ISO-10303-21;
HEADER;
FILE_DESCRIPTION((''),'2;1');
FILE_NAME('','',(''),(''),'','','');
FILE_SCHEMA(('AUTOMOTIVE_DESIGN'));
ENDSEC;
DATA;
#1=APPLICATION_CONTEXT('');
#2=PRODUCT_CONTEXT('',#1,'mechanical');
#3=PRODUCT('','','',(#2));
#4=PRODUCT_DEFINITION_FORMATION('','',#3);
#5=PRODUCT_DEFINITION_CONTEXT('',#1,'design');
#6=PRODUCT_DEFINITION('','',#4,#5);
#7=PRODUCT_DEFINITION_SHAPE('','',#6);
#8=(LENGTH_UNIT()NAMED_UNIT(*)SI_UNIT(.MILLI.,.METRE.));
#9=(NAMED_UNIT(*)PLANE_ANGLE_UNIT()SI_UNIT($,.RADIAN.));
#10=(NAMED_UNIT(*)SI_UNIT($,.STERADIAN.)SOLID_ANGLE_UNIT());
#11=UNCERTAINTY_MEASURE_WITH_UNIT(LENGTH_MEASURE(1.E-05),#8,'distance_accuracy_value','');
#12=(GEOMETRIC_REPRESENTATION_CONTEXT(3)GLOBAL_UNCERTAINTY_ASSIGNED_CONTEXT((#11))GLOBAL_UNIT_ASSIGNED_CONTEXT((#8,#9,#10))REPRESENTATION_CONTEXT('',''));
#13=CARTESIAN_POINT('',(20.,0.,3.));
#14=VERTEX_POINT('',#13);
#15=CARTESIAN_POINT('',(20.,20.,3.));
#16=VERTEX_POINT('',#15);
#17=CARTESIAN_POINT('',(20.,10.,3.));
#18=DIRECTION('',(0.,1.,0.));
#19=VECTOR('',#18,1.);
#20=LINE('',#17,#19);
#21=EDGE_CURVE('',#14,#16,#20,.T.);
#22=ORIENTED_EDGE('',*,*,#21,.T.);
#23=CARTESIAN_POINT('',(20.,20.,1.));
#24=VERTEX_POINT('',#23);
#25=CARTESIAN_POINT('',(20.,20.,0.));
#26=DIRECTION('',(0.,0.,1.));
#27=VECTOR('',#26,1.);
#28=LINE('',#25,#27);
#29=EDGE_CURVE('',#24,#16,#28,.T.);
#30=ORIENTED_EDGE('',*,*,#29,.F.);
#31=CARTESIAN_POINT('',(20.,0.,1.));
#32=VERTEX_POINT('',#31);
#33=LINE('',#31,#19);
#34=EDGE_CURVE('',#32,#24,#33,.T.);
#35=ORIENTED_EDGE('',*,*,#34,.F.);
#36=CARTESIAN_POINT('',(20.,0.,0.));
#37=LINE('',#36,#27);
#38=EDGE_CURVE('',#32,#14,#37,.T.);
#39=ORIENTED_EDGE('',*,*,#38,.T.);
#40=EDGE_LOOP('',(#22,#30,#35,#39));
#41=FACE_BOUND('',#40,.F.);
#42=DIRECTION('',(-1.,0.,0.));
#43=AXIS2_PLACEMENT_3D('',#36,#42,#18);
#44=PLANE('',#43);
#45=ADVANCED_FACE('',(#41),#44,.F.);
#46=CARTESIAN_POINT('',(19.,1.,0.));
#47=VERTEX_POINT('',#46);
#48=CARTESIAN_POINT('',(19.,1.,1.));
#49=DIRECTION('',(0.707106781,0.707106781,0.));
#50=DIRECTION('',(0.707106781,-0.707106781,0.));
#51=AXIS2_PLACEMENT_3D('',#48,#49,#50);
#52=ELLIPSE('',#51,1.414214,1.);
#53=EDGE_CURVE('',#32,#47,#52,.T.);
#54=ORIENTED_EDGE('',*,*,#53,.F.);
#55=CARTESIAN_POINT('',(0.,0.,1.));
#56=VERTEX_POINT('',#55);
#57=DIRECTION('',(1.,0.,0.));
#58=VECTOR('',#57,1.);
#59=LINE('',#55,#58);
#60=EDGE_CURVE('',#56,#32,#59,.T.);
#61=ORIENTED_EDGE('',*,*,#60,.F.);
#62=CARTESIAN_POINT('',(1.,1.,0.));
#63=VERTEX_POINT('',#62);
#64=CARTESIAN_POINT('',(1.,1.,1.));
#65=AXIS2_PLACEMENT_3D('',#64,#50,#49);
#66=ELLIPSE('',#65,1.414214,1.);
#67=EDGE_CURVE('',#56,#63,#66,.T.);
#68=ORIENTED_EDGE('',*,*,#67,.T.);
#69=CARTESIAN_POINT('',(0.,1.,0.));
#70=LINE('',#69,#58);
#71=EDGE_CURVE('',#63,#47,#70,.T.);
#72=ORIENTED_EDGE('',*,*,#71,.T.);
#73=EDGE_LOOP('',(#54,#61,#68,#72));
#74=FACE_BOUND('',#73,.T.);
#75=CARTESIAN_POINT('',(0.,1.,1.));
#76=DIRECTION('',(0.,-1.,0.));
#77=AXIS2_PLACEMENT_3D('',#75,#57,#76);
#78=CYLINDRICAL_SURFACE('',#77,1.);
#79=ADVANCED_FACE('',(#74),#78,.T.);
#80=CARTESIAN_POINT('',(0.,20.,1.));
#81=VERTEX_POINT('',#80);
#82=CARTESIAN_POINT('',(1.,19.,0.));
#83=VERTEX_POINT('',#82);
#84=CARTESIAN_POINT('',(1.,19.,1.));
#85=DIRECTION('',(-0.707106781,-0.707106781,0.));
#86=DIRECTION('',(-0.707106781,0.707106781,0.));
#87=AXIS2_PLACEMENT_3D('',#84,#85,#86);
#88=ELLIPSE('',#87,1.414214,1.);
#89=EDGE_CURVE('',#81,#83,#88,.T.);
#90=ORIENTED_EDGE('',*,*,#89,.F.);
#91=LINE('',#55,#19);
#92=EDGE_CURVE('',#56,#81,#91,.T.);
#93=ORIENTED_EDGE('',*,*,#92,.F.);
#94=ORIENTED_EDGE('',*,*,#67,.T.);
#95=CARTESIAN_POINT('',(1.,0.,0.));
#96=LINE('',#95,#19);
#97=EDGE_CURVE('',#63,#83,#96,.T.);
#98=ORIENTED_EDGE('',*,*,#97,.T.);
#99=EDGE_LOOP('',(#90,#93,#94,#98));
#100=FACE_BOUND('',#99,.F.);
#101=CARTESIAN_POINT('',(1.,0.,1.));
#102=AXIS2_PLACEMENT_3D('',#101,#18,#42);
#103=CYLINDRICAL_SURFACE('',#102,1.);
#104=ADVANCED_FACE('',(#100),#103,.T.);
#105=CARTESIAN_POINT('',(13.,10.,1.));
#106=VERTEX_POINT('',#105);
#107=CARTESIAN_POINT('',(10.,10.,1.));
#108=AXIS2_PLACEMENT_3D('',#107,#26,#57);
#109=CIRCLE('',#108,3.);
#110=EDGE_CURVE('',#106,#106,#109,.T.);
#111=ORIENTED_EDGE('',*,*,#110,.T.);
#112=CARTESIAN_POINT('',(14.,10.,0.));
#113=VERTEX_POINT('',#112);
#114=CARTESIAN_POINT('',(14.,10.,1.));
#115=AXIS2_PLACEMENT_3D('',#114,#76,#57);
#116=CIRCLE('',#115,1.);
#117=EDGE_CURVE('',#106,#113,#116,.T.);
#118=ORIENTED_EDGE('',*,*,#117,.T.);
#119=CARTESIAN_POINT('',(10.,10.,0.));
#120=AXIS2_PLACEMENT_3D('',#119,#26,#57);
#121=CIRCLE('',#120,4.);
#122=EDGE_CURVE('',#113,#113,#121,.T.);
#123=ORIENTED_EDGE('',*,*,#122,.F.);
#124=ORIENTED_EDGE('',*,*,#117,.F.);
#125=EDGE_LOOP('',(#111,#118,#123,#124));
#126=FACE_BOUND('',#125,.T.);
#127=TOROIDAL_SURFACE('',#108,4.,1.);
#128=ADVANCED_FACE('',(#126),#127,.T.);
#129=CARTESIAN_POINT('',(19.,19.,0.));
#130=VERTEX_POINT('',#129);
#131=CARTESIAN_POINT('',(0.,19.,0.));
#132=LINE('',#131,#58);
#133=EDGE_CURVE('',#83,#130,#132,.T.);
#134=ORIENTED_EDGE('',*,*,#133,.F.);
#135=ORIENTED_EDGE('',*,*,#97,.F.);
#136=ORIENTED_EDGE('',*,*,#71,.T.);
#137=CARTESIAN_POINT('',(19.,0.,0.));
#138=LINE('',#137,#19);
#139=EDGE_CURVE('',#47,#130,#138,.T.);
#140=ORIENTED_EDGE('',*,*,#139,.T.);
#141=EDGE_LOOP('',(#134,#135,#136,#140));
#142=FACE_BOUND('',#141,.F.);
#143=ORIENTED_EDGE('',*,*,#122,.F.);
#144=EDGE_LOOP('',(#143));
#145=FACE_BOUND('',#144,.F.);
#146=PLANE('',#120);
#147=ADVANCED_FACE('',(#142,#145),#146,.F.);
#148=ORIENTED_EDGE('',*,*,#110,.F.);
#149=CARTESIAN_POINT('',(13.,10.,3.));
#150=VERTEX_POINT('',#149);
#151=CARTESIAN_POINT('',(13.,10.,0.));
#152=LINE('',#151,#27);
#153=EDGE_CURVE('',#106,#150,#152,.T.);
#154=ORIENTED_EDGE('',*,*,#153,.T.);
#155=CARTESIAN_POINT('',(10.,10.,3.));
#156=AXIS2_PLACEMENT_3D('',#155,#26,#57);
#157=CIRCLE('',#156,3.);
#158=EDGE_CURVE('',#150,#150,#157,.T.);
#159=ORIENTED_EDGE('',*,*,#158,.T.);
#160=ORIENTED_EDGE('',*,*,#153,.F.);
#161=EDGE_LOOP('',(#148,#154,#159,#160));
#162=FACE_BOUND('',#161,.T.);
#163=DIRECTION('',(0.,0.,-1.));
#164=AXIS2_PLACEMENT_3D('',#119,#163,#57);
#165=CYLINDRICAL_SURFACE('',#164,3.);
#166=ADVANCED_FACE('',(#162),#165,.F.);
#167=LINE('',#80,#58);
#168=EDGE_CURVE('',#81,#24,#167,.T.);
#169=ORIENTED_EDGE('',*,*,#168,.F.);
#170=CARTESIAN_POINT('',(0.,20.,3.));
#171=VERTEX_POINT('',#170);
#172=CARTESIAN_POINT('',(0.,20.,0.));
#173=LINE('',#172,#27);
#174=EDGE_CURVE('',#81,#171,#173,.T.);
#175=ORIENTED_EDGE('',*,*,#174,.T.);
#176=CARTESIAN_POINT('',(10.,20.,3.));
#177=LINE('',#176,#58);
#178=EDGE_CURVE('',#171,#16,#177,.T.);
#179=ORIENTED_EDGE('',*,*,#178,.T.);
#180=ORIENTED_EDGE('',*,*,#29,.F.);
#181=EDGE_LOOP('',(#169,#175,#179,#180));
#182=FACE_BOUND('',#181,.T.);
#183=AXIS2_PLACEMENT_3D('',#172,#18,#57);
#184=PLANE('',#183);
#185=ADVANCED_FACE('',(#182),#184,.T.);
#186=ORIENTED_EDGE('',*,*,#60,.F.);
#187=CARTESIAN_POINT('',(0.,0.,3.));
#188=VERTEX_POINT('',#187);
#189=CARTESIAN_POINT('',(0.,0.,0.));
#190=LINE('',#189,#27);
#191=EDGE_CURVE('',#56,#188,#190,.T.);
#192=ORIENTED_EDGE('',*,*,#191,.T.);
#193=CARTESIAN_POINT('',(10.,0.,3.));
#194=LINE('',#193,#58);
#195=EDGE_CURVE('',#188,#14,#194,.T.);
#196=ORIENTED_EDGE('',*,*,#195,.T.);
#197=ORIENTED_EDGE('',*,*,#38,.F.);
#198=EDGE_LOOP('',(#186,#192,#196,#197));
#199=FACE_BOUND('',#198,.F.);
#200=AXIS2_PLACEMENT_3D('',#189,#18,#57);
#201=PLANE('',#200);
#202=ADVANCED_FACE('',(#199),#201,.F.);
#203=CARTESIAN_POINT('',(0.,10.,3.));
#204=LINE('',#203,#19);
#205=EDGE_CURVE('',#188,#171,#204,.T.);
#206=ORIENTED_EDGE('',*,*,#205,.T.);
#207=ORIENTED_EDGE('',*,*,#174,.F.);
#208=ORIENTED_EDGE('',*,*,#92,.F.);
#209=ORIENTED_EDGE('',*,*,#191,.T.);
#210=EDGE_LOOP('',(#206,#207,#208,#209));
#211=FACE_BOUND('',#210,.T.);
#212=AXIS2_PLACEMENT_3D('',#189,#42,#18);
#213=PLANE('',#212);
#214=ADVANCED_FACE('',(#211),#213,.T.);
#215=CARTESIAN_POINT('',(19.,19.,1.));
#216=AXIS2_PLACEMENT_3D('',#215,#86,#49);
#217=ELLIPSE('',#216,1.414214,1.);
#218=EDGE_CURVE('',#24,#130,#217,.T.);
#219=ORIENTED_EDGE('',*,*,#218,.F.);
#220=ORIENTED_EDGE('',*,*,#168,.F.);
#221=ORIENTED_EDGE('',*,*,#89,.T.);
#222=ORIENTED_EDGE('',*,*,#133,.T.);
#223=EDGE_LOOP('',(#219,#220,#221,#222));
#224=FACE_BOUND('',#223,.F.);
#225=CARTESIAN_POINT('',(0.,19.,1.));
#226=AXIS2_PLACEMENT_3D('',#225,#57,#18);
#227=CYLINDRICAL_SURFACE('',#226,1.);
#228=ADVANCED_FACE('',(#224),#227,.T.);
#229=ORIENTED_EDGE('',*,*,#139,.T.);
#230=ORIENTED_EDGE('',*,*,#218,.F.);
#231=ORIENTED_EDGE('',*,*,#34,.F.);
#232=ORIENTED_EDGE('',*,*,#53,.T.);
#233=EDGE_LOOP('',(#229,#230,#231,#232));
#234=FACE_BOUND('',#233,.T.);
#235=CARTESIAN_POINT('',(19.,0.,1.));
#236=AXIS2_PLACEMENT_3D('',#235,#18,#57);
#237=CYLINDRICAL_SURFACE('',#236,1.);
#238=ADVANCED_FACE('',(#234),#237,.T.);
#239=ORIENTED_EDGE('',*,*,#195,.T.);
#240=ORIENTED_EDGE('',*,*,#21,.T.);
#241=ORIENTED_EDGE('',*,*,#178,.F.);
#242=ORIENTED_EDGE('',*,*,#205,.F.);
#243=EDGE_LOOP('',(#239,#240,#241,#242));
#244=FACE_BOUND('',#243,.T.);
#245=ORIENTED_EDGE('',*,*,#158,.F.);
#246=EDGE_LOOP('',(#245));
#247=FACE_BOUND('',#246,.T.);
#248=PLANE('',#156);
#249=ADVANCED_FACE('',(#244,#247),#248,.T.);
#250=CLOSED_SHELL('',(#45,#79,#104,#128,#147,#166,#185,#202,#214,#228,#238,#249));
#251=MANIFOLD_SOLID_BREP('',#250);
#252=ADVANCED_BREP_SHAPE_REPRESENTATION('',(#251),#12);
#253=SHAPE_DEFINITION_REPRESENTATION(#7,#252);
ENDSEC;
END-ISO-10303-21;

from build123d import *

# Parameters (mm, degrees)
F0_W     = 20
F0_H     = 20
F0_R     = 3
F1_DEPTH = 3
F2_R     = 1


with BuildPart() as f1:
    # F0 (on Top) → F1 (new body)
    with BuildSketch(Plane.XY):
        with Locations((10, 10)):
            Rectangle(F0_W, F0_H)
        with Locations((10, 10)):
            Circle(F0_R, mode=Mode.SUBTRACT)
    extrude(amount=F1_DEPTH)

    # F2
    f2_edges = [f1.edges().sort_by_distance(p)[0] for p in [
        (0, 10, 0),
        (10, 0, 0),
        (20, 10, 0),
        (10, 20, 0),
        (7, 10, 0),
    ]]
    fillet(f2_edges, radius=F2_R)


solid = f1.part
